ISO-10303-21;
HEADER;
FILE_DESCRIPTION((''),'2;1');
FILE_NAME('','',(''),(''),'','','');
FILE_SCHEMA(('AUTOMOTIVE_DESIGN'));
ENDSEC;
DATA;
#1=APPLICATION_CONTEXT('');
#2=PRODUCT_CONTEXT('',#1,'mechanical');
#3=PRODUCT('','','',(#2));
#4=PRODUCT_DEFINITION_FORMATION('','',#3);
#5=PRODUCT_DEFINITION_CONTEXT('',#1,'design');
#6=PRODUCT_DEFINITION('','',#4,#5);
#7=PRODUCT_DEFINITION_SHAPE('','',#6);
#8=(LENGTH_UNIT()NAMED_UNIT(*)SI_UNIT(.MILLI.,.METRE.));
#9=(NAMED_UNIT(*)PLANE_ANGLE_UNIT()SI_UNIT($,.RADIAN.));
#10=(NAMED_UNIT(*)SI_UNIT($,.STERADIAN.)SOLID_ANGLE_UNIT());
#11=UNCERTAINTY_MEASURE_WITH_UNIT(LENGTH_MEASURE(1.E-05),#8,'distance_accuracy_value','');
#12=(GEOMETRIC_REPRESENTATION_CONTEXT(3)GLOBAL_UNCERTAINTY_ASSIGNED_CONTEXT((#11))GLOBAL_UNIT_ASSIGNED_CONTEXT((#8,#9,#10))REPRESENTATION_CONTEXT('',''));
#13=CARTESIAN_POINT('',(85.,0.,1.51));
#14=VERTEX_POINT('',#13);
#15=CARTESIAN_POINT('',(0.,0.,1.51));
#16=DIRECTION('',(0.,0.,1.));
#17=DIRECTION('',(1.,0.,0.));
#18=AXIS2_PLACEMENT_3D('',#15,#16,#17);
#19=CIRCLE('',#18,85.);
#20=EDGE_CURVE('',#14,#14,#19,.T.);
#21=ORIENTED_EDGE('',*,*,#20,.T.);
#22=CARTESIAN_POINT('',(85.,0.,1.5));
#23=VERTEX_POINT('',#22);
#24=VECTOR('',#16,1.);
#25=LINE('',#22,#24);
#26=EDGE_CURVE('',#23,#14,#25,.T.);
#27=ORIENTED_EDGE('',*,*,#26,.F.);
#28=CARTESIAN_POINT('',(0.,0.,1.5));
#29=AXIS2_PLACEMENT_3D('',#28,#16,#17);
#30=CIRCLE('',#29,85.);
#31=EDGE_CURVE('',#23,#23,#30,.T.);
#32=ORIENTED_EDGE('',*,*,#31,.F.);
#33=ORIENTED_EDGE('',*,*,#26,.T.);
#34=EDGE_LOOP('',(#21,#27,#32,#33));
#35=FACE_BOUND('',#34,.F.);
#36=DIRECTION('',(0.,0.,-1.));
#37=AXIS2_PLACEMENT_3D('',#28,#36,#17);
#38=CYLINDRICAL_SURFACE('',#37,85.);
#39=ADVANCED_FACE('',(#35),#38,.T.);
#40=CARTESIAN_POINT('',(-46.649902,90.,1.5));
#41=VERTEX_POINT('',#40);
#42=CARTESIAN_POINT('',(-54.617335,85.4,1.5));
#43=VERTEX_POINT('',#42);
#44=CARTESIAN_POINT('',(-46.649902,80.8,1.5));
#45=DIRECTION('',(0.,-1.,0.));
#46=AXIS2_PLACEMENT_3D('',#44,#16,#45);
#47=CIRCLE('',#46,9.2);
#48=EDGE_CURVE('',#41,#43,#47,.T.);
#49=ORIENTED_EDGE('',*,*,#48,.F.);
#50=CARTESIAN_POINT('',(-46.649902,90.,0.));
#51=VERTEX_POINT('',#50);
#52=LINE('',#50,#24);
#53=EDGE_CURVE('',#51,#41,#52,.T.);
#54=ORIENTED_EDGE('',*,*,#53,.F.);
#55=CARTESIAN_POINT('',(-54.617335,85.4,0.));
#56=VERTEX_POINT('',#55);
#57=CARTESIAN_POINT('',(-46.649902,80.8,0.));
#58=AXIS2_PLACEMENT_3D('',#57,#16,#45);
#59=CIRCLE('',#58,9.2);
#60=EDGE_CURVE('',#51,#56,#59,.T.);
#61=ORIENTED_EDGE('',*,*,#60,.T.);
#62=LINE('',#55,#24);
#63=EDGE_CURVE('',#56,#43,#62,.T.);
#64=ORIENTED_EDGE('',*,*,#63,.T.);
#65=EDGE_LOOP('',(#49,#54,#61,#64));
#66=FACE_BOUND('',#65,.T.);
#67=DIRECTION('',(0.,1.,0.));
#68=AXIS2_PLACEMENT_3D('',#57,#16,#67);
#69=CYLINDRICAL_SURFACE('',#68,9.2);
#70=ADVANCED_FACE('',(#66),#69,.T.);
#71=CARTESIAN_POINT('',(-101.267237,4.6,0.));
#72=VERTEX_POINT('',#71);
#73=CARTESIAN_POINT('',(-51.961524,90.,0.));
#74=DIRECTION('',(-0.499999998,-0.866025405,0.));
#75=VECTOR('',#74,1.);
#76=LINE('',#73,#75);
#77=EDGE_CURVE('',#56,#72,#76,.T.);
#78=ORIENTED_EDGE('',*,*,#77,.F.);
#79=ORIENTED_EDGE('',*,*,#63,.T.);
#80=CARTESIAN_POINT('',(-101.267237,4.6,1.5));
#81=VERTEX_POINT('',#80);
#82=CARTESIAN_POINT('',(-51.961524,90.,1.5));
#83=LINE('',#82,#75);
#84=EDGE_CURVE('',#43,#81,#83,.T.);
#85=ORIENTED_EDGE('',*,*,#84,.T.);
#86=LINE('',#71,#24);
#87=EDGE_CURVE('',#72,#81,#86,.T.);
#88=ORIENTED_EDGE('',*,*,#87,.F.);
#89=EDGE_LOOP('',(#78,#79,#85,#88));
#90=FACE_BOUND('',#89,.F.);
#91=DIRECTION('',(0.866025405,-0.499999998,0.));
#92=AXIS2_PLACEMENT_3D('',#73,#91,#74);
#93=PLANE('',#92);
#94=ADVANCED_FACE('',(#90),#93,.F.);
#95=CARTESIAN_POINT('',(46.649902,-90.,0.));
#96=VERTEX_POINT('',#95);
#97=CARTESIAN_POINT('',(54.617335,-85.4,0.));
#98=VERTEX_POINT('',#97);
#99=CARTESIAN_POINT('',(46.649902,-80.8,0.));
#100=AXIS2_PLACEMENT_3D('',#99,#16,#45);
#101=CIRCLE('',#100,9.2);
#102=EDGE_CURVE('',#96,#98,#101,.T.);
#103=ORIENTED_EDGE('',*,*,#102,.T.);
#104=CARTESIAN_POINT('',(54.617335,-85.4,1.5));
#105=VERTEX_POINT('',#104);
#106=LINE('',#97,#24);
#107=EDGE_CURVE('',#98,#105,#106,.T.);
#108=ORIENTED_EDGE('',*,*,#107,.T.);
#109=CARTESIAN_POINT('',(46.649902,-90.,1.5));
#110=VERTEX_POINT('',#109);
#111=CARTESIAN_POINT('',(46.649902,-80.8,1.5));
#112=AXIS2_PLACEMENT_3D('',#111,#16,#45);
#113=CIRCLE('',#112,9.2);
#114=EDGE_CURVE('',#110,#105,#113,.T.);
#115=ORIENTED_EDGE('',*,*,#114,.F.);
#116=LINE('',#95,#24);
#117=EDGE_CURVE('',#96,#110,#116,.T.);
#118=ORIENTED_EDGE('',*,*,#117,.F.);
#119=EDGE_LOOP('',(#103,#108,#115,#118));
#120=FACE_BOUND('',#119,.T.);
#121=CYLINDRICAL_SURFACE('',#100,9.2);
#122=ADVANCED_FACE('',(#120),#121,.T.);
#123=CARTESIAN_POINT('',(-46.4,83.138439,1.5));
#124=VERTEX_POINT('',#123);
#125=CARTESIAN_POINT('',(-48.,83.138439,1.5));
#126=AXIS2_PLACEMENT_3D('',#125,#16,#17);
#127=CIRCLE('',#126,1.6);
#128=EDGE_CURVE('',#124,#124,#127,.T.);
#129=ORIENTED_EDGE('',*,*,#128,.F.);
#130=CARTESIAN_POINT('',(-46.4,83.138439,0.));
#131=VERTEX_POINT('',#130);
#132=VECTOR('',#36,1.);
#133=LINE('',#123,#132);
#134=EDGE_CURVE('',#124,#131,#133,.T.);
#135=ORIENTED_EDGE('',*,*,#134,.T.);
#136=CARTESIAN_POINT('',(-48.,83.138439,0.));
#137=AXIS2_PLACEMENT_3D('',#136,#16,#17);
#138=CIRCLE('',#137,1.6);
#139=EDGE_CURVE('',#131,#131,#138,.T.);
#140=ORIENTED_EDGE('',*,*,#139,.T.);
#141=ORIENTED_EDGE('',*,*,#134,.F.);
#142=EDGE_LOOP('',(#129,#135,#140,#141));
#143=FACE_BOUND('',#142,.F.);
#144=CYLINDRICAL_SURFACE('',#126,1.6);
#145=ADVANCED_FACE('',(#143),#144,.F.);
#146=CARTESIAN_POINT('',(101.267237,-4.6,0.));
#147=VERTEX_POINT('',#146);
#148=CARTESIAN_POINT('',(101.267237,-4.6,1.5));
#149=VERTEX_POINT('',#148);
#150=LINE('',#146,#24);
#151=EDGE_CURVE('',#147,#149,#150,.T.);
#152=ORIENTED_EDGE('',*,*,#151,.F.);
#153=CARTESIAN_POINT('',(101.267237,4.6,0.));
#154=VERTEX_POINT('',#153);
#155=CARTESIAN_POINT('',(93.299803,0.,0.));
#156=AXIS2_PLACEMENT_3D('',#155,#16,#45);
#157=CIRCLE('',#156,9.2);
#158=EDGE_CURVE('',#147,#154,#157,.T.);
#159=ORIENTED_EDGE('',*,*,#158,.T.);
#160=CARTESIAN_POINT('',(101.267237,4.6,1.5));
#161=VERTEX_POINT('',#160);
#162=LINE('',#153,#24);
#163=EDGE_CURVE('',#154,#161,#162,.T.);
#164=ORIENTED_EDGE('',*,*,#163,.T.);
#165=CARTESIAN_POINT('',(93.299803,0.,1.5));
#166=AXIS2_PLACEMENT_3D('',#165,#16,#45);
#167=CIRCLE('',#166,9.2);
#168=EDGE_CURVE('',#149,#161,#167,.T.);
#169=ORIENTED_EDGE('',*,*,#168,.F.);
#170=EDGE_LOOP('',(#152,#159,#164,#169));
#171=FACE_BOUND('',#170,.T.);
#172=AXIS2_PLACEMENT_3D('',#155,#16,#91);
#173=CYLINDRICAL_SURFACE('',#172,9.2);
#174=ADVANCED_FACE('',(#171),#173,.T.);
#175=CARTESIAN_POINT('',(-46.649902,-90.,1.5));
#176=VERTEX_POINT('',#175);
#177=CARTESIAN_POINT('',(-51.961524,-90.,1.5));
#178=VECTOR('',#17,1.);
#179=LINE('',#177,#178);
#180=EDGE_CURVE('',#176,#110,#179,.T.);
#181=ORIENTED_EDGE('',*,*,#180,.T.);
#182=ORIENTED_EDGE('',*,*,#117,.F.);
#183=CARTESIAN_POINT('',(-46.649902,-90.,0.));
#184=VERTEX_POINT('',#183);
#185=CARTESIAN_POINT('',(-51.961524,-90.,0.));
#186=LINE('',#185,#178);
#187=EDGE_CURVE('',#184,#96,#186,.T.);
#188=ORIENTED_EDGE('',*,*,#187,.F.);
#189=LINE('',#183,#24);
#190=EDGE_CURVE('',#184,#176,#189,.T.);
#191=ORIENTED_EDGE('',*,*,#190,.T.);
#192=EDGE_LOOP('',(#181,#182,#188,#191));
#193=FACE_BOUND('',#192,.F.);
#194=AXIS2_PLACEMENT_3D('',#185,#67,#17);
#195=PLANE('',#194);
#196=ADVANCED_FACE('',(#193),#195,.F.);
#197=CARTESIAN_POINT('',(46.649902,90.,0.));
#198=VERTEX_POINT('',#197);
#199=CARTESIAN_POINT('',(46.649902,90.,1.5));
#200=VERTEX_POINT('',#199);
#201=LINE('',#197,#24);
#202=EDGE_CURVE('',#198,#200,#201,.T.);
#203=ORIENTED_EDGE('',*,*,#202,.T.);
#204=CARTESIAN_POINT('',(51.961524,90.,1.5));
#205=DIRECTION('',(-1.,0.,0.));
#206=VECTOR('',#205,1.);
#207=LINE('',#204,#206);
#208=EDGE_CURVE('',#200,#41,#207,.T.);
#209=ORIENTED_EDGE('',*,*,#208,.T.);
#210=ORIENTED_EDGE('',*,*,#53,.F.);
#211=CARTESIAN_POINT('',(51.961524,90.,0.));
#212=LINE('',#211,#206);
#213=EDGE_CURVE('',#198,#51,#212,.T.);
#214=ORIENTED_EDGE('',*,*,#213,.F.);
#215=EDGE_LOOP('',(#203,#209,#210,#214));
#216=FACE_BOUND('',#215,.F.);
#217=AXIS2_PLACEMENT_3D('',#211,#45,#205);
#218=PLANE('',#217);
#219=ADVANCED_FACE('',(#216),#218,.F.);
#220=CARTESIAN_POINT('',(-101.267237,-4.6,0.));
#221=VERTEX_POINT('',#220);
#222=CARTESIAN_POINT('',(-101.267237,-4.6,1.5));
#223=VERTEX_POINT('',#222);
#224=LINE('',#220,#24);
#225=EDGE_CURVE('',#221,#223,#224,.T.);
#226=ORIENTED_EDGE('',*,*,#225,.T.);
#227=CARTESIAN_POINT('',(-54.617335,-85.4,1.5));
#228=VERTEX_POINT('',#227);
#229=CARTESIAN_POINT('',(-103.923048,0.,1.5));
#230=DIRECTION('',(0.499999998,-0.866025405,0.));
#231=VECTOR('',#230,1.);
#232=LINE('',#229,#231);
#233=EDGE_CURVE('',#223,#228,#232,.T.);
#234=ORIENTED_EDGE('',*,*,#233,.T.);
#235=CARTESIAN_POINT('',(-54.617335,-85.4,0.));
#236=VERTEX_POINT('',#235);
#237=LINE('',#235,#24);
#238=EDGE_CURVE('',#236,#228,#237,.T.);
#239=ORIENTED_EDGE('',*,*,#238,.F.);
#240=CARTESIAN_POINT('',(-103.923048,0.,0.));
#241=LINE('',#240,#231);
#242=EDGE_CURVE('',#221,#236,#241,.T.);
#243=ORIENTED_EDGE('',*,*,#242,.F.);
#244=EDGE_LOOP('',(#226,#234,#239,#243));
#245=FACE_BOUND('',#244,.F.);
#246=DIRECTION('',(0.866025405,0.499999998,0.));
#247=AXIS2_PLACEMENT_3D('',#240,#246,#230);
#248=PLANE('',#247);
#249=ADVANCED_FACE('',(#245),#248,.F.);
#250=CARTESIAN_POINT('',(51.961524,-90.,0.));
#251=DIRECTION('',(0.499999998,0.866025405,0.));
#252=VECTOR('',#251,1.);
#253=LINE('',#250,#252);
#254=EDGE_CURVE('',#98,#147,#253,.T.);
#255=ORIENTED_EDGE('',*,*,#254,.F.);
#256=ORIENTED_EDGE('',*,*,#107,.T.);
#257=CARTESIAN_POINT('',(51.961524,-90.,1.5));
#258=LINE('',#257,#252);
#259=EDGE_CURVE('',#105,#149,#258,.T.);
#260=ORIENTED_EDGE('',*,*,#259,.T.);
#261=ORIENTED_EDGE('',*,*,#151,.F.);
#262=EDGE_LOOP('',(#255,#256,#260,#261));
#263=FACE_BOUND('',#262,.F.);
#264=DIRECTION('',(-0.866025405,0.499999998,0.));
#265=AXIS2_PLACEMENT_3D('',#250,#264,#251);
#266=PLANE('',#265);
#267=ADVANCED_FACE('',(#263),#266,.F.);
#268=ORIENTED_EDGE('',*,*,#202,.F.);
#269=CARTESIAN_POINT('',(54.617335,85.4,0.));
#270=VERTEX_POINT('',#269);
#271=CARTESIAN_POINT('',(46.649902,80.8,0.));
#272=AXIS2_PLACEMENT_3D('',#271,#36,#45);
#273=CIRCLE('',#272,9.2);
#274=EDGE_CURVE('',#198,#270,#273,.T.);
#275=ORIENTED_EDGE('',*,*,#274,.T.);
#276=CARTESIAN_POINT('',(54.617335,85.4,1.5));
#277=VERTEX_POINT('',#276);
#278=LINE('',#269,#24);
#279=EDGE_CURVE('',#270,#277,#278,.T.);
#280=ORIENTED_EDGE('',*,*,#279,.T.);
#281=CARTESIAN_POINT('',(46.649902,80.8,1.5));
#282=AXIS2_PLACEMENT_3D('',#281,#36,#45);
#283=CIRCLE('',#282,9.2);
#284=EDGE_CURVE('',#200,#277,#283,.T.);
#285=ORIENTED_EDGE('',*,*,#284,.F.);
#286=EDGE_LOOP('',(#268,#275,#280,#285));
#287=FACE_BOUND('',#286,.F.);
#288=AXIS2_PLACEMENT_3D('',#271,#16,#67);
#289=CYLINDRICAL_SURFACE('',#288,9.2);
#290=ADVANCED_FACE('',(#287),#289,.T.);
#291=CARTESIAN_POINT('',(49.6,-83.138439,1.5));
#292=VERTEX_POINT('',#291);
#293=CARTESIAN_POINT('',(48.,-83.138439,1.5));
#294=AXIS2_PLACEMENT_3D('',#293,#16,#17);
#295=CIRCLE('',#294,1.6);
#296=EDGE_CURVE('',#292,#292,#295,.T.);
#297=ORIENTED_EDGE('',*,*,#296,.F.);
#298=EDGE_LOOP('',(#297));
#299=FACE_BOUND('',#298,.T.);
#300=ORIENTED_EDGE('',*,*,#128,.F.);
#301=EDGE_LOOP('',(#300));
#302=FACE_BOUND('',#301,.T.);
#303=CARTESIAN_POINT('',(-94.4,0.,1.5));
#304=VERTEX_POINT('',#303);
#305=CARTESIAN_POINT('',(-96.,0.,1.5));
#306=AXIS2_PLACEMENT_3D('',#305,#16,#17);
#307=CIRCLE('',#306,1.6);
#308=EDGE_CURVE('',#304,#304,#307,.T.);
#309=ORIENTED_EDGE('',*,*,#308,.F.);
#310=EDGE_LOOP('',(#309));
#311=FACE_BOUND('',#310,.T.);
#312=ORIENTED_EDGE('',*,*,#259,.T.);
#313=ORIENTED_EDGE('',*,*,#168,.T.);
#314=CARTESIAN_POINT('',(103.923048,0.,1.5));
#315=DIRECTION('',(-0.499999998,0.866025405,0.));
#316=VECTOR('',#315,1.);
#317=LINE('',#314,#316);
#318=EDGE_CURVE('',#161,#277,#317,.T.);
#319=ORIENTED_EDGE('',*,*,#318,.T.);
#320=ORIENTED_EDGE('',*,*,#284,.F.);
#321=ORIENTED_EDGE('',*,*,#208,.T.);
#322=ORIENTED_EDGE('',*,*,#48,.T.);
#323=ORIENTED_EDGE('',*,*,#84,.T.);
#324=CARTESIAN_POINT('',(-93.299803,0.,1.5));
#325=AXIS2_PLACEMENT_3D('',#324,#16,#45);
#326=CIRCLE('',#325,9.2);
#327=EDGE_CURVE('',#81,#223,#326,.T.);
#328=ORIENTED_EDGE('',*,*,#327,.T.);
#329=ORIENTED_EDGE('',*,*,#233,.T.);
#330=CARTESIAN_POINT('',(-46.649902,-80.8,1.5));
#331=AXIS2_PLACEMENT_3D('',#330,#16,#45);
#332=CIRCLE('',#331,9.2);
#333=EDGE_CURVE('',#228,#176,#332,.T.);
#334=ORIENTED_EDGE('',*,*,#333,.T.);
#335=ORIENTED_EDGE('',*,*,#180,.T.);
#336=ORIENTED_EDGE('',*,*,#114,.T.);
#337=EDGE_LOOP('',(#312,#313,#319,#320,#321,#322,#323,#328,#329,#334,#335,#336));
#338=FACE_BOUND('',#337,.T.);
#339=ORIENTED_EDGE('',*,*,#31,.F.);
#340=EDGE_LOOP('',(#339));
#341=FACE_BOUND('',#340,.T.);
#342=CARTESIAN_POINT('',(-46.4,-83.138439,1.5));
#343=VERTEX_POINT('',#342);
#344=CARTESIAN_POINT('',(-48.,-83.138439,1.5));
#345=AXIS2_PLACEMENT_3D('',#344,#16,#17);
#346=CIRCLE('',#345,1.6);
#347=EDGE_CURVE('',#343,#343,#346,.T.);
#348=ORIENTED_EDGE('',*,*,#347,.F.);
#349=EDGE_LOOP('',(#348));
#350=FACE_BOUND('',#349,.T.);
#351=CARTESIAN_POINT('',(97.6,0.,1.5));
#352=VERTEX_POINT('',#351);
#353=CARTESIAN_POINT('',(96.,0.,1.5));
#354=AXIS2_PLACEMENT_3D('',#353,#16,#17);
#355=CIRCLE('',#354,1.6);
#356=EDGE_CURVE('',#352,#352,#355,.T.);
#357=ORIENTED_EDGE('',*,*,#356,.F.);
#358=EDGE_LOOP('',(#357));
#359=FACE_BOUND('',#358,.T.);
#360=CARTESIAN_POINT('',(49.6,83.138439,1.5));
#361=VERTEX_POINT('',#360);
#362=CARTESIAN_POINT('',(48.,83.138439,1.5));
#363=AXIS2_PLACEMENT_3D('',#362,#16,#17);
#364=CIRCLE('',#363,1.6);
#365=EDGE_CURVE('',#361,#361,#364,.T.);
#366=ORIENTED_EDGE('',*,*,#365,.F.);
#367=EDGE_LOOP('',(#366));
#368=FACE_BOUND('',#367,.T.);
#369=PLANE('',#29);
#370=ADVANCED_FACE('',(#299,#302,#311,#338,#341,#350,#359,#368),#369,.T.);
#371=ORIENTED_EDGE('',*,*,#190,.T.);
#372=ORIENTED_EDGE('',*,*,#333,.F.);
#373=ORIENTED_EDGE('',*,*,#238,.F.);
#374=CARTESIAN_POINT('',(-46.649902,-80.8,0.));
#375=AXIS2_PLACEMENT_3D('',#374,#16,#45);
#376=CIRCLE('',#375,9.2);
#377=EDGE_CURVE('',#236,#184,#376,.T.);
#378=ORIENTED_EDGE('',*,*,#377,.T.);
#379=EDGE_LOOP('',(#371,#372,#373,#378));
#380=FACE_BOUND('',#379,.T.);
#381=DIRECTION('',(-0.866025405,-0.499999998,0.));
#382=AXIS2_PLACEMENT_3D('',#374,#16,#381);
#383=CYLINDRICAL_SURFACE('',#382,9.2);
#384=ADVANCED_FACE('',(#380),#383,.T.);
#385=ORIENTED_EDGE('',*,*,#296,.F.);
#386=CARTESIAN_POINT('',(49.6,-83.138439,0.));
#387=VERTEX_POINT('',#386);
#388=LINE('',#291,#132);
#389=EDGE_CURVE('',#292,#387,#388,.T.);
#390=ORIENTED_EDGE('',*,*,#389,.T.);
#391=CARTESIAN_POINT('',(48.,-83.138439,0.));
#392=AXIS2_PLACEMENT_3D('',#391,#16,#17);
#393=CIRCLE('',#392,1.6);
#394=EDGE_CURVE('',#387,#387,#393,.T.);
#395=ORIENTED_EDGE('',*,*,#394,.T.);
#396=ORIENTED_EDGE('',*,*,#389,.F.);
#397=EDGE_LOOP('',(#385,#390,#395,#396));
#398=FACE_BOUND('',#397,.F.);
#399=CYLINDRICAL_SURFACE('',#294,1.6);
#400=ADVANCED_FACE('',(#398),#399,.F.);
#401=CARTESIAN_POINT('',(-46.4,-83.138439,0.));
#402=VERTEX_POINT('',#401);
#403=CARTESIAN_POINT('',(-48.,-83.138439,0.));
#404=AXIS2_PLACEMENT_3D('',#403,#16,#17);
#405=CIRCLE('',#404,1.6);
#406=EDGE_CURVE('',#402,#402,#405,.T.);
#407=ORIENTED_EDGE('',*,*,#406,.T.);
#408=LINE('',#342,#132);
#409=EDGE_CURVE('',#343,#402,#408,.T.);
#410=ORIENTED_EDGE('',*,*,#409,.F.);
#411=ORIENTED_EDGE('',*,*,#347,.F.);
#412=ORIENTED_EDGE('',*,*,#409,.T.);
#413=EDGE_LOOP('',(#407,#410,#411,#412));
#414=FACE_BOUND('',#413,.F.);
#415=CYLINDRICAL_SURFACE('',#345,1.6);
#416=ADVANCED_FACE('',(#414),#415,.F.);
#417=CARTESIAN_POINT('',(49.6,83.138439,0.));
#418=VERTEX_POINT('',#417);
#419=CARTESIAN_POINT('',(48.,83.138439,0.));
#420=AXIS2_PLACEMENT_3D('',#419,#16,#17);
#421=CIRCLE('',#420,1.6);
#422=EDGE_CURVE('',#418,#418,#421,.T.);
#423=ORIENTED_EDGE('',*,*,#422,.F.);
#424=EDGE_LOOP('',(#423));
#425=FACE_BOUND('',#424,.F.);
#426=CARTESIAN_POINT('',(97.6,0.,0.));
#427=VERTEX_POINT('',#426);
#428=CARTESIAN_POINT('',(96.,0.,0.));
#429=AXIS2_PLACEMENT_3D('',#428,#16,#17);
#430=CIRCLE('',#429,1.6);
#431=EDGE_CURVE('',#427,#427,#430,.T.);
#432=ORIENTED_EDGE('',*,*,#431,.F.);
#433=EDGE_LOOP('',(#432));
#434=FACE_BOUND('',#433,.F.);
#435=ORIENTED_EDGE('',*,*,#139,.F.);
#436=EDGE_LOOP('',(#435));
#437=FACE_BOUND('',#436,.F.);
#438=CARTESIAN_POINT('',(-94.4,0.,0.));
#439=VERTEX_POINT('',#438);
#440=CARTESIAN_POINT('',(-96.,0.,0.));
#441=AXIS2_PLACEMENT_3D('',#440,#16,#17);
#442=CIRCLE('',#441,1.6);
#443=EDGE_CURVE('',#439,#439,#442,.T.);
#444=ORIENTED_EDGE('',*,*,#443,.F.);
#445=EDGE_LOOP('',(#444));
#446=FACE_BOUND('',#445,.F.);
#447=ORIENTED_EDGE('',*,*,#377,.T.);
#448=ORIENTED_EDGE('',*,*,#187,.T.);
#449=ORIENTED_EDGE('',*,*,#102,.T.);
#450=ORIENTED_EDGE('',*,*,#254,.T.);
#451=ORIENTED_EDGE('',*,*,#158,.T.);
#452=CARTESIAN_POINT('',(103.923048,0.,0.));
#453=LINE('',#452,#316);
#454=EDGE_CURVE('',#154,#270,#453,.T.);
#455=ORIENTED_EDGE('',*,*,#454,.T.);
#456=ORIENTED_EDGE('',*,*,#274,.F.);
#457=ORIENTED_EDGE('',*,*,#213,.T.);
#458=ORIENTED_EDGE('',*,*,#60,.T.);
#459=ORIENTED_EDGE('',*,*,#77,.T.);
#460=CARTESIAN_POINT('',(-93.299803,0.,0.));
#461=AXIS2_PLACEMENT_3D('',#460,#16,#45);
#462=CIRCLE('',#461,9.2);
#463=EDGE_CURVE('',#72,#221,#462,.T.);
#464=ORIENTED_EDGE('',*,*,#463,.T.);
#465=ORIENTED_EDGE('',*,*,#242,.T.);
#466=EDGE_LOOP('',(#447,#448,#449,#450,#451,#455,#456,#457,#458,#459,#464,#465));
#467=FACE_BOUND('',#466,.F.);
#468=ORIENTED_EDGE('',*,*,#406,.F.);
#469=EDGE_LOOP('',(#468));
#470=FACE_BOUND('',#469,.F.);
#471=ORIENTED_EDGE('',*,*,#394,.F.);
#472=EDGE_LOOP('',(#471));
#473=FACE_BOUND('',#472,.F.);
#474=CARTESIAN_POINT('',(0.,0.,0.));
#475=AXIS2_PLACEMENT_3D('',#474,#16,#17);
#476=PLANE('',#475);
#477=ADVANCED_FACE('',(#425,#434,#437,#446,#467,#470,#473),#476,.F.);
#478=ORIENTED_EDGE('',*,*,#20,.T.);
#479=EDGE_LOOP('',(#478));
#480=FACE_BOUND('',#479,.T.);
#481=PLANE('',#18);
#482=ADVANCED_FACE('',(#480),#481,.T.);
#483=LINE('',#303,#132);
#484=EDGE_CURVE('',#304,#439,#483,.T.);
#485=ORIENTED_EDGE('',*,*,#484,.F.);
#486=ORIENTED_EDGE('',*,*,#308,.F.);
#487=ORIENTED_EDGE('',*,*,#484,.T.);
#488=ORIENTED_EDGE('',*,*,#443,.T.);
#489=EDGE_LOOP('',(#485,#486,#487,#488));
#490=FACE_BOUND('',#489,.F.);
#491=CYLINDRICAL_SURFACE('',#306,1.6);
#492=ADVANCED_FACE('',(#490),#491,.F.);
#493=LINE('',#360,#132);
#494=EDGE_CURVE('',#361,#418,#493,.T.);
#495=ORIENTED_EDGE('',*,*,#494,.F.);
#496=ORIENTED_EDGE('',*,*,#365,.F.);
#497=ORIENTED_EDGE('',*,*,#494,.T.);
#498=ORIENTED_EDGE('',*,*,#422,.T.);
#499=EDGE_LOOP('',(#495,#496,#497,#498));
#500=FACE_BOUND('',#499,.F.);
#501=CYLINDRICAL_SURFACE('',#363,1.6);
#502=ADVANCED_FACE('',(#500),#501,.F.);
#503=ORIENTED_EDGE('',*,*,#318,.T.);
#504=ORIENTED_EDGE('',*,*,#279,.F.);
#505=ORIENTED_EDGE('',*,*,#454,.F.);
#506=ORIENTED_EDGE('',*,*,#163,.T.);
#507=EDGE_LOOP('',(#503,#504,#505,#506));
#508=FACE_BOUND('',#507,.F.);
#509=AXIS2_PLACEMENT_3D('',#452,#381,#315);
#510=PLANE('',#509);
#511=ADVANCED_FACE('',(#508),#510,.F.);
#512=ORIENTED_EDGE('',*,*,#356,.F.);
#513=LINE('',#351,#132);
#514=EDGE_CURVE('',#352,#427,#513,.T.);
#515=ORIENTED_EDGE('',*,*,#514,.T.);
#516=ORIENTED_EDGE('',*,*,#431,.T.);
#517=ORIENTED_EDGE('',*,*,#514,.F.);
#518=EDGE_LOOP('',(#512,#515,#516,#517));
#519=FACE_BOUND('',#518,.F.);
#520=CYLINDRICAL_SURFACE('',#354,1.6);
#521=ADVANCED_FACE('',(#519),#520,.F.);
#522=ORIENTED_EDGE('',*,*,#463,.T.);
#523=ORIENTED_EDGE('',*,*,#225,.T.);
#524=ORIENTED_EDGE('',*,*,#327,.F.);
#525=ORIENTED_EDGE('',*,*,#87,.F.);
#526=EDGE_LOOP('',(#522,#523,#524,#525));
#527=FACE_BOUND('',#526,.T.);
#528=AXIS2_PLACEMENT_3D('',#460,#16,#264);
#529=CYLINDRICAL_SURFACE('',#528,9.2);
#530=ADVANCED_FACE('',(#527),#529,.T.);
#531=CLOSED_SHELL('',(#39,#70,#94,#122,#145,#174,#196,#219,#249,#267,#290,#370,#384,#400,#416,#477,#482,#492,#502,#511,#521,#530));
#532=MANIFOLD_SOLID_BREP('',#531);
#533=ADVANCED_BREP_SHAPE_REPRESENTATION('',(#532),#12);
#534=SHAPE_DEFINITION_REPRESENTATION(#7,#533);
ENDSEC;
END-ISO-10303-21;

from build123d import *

# Parameters (mm, degrees)
F1_DEPTH = 1.5
F2_R     = 9.2
F3_R     = 85
F4_DEPTH = 0.01
F5_R     = 1.6
F6_DEPTH = 1.5


with BuildPart() as f1:
    # F0 (on Top) → F1 (new body)
    with BuildSketch(Plane.XY):
        Polygon((51.961524, 90), (-51.961524, 90), (-103.923048, 0), (-51.961524, -90), (51.961524, -90), (103.923048, 0), align=None)
    extrude(amount=F1_DEPTH)

    # F2
    f2_edges = [f1.edges().sort_by_distance(p)[0] for p in [
        (-103.923048, 0, 0.75),
        (-51.961524, 90, 0.75),
        (51.961524, 90, 0.75),
        (103.923048, 0, 0.75),
        (51.961524, -90, 0.75),
        (-51.961524, -90, 0.75),
    ]]
    fillet(f2_edges, radius=F2_R)

    # F3 (on face) → F4 (join)
    with BuildSketch(Plane.XY.offset(1.5)):
        Circle(F3_R)
    extrude(amount=F4_DEPTH)

    # F5 (on face) → F6 (cut, through all)
    with BuildSketch(Plane.XY.offset(1.5)):
        with Locations((96, 0)):
            Circle(F5_R)
        with Locations((48, 83.138439)):
            Circle(F5_R)
        with Locations((-48, 83.138439)):
            Circle(F5_R)
        with Locations((-96, 0)):
            Circle(F5_R)
        with Locations((-48, -83.138439)):
            Circle(F5_R)
        with Locations((48, -83.138439)):
            Circle(F5_R)
    extrude(amount=-F6_DEPTH, mode=Mode.SUBTRACT)


solid = f1.part
